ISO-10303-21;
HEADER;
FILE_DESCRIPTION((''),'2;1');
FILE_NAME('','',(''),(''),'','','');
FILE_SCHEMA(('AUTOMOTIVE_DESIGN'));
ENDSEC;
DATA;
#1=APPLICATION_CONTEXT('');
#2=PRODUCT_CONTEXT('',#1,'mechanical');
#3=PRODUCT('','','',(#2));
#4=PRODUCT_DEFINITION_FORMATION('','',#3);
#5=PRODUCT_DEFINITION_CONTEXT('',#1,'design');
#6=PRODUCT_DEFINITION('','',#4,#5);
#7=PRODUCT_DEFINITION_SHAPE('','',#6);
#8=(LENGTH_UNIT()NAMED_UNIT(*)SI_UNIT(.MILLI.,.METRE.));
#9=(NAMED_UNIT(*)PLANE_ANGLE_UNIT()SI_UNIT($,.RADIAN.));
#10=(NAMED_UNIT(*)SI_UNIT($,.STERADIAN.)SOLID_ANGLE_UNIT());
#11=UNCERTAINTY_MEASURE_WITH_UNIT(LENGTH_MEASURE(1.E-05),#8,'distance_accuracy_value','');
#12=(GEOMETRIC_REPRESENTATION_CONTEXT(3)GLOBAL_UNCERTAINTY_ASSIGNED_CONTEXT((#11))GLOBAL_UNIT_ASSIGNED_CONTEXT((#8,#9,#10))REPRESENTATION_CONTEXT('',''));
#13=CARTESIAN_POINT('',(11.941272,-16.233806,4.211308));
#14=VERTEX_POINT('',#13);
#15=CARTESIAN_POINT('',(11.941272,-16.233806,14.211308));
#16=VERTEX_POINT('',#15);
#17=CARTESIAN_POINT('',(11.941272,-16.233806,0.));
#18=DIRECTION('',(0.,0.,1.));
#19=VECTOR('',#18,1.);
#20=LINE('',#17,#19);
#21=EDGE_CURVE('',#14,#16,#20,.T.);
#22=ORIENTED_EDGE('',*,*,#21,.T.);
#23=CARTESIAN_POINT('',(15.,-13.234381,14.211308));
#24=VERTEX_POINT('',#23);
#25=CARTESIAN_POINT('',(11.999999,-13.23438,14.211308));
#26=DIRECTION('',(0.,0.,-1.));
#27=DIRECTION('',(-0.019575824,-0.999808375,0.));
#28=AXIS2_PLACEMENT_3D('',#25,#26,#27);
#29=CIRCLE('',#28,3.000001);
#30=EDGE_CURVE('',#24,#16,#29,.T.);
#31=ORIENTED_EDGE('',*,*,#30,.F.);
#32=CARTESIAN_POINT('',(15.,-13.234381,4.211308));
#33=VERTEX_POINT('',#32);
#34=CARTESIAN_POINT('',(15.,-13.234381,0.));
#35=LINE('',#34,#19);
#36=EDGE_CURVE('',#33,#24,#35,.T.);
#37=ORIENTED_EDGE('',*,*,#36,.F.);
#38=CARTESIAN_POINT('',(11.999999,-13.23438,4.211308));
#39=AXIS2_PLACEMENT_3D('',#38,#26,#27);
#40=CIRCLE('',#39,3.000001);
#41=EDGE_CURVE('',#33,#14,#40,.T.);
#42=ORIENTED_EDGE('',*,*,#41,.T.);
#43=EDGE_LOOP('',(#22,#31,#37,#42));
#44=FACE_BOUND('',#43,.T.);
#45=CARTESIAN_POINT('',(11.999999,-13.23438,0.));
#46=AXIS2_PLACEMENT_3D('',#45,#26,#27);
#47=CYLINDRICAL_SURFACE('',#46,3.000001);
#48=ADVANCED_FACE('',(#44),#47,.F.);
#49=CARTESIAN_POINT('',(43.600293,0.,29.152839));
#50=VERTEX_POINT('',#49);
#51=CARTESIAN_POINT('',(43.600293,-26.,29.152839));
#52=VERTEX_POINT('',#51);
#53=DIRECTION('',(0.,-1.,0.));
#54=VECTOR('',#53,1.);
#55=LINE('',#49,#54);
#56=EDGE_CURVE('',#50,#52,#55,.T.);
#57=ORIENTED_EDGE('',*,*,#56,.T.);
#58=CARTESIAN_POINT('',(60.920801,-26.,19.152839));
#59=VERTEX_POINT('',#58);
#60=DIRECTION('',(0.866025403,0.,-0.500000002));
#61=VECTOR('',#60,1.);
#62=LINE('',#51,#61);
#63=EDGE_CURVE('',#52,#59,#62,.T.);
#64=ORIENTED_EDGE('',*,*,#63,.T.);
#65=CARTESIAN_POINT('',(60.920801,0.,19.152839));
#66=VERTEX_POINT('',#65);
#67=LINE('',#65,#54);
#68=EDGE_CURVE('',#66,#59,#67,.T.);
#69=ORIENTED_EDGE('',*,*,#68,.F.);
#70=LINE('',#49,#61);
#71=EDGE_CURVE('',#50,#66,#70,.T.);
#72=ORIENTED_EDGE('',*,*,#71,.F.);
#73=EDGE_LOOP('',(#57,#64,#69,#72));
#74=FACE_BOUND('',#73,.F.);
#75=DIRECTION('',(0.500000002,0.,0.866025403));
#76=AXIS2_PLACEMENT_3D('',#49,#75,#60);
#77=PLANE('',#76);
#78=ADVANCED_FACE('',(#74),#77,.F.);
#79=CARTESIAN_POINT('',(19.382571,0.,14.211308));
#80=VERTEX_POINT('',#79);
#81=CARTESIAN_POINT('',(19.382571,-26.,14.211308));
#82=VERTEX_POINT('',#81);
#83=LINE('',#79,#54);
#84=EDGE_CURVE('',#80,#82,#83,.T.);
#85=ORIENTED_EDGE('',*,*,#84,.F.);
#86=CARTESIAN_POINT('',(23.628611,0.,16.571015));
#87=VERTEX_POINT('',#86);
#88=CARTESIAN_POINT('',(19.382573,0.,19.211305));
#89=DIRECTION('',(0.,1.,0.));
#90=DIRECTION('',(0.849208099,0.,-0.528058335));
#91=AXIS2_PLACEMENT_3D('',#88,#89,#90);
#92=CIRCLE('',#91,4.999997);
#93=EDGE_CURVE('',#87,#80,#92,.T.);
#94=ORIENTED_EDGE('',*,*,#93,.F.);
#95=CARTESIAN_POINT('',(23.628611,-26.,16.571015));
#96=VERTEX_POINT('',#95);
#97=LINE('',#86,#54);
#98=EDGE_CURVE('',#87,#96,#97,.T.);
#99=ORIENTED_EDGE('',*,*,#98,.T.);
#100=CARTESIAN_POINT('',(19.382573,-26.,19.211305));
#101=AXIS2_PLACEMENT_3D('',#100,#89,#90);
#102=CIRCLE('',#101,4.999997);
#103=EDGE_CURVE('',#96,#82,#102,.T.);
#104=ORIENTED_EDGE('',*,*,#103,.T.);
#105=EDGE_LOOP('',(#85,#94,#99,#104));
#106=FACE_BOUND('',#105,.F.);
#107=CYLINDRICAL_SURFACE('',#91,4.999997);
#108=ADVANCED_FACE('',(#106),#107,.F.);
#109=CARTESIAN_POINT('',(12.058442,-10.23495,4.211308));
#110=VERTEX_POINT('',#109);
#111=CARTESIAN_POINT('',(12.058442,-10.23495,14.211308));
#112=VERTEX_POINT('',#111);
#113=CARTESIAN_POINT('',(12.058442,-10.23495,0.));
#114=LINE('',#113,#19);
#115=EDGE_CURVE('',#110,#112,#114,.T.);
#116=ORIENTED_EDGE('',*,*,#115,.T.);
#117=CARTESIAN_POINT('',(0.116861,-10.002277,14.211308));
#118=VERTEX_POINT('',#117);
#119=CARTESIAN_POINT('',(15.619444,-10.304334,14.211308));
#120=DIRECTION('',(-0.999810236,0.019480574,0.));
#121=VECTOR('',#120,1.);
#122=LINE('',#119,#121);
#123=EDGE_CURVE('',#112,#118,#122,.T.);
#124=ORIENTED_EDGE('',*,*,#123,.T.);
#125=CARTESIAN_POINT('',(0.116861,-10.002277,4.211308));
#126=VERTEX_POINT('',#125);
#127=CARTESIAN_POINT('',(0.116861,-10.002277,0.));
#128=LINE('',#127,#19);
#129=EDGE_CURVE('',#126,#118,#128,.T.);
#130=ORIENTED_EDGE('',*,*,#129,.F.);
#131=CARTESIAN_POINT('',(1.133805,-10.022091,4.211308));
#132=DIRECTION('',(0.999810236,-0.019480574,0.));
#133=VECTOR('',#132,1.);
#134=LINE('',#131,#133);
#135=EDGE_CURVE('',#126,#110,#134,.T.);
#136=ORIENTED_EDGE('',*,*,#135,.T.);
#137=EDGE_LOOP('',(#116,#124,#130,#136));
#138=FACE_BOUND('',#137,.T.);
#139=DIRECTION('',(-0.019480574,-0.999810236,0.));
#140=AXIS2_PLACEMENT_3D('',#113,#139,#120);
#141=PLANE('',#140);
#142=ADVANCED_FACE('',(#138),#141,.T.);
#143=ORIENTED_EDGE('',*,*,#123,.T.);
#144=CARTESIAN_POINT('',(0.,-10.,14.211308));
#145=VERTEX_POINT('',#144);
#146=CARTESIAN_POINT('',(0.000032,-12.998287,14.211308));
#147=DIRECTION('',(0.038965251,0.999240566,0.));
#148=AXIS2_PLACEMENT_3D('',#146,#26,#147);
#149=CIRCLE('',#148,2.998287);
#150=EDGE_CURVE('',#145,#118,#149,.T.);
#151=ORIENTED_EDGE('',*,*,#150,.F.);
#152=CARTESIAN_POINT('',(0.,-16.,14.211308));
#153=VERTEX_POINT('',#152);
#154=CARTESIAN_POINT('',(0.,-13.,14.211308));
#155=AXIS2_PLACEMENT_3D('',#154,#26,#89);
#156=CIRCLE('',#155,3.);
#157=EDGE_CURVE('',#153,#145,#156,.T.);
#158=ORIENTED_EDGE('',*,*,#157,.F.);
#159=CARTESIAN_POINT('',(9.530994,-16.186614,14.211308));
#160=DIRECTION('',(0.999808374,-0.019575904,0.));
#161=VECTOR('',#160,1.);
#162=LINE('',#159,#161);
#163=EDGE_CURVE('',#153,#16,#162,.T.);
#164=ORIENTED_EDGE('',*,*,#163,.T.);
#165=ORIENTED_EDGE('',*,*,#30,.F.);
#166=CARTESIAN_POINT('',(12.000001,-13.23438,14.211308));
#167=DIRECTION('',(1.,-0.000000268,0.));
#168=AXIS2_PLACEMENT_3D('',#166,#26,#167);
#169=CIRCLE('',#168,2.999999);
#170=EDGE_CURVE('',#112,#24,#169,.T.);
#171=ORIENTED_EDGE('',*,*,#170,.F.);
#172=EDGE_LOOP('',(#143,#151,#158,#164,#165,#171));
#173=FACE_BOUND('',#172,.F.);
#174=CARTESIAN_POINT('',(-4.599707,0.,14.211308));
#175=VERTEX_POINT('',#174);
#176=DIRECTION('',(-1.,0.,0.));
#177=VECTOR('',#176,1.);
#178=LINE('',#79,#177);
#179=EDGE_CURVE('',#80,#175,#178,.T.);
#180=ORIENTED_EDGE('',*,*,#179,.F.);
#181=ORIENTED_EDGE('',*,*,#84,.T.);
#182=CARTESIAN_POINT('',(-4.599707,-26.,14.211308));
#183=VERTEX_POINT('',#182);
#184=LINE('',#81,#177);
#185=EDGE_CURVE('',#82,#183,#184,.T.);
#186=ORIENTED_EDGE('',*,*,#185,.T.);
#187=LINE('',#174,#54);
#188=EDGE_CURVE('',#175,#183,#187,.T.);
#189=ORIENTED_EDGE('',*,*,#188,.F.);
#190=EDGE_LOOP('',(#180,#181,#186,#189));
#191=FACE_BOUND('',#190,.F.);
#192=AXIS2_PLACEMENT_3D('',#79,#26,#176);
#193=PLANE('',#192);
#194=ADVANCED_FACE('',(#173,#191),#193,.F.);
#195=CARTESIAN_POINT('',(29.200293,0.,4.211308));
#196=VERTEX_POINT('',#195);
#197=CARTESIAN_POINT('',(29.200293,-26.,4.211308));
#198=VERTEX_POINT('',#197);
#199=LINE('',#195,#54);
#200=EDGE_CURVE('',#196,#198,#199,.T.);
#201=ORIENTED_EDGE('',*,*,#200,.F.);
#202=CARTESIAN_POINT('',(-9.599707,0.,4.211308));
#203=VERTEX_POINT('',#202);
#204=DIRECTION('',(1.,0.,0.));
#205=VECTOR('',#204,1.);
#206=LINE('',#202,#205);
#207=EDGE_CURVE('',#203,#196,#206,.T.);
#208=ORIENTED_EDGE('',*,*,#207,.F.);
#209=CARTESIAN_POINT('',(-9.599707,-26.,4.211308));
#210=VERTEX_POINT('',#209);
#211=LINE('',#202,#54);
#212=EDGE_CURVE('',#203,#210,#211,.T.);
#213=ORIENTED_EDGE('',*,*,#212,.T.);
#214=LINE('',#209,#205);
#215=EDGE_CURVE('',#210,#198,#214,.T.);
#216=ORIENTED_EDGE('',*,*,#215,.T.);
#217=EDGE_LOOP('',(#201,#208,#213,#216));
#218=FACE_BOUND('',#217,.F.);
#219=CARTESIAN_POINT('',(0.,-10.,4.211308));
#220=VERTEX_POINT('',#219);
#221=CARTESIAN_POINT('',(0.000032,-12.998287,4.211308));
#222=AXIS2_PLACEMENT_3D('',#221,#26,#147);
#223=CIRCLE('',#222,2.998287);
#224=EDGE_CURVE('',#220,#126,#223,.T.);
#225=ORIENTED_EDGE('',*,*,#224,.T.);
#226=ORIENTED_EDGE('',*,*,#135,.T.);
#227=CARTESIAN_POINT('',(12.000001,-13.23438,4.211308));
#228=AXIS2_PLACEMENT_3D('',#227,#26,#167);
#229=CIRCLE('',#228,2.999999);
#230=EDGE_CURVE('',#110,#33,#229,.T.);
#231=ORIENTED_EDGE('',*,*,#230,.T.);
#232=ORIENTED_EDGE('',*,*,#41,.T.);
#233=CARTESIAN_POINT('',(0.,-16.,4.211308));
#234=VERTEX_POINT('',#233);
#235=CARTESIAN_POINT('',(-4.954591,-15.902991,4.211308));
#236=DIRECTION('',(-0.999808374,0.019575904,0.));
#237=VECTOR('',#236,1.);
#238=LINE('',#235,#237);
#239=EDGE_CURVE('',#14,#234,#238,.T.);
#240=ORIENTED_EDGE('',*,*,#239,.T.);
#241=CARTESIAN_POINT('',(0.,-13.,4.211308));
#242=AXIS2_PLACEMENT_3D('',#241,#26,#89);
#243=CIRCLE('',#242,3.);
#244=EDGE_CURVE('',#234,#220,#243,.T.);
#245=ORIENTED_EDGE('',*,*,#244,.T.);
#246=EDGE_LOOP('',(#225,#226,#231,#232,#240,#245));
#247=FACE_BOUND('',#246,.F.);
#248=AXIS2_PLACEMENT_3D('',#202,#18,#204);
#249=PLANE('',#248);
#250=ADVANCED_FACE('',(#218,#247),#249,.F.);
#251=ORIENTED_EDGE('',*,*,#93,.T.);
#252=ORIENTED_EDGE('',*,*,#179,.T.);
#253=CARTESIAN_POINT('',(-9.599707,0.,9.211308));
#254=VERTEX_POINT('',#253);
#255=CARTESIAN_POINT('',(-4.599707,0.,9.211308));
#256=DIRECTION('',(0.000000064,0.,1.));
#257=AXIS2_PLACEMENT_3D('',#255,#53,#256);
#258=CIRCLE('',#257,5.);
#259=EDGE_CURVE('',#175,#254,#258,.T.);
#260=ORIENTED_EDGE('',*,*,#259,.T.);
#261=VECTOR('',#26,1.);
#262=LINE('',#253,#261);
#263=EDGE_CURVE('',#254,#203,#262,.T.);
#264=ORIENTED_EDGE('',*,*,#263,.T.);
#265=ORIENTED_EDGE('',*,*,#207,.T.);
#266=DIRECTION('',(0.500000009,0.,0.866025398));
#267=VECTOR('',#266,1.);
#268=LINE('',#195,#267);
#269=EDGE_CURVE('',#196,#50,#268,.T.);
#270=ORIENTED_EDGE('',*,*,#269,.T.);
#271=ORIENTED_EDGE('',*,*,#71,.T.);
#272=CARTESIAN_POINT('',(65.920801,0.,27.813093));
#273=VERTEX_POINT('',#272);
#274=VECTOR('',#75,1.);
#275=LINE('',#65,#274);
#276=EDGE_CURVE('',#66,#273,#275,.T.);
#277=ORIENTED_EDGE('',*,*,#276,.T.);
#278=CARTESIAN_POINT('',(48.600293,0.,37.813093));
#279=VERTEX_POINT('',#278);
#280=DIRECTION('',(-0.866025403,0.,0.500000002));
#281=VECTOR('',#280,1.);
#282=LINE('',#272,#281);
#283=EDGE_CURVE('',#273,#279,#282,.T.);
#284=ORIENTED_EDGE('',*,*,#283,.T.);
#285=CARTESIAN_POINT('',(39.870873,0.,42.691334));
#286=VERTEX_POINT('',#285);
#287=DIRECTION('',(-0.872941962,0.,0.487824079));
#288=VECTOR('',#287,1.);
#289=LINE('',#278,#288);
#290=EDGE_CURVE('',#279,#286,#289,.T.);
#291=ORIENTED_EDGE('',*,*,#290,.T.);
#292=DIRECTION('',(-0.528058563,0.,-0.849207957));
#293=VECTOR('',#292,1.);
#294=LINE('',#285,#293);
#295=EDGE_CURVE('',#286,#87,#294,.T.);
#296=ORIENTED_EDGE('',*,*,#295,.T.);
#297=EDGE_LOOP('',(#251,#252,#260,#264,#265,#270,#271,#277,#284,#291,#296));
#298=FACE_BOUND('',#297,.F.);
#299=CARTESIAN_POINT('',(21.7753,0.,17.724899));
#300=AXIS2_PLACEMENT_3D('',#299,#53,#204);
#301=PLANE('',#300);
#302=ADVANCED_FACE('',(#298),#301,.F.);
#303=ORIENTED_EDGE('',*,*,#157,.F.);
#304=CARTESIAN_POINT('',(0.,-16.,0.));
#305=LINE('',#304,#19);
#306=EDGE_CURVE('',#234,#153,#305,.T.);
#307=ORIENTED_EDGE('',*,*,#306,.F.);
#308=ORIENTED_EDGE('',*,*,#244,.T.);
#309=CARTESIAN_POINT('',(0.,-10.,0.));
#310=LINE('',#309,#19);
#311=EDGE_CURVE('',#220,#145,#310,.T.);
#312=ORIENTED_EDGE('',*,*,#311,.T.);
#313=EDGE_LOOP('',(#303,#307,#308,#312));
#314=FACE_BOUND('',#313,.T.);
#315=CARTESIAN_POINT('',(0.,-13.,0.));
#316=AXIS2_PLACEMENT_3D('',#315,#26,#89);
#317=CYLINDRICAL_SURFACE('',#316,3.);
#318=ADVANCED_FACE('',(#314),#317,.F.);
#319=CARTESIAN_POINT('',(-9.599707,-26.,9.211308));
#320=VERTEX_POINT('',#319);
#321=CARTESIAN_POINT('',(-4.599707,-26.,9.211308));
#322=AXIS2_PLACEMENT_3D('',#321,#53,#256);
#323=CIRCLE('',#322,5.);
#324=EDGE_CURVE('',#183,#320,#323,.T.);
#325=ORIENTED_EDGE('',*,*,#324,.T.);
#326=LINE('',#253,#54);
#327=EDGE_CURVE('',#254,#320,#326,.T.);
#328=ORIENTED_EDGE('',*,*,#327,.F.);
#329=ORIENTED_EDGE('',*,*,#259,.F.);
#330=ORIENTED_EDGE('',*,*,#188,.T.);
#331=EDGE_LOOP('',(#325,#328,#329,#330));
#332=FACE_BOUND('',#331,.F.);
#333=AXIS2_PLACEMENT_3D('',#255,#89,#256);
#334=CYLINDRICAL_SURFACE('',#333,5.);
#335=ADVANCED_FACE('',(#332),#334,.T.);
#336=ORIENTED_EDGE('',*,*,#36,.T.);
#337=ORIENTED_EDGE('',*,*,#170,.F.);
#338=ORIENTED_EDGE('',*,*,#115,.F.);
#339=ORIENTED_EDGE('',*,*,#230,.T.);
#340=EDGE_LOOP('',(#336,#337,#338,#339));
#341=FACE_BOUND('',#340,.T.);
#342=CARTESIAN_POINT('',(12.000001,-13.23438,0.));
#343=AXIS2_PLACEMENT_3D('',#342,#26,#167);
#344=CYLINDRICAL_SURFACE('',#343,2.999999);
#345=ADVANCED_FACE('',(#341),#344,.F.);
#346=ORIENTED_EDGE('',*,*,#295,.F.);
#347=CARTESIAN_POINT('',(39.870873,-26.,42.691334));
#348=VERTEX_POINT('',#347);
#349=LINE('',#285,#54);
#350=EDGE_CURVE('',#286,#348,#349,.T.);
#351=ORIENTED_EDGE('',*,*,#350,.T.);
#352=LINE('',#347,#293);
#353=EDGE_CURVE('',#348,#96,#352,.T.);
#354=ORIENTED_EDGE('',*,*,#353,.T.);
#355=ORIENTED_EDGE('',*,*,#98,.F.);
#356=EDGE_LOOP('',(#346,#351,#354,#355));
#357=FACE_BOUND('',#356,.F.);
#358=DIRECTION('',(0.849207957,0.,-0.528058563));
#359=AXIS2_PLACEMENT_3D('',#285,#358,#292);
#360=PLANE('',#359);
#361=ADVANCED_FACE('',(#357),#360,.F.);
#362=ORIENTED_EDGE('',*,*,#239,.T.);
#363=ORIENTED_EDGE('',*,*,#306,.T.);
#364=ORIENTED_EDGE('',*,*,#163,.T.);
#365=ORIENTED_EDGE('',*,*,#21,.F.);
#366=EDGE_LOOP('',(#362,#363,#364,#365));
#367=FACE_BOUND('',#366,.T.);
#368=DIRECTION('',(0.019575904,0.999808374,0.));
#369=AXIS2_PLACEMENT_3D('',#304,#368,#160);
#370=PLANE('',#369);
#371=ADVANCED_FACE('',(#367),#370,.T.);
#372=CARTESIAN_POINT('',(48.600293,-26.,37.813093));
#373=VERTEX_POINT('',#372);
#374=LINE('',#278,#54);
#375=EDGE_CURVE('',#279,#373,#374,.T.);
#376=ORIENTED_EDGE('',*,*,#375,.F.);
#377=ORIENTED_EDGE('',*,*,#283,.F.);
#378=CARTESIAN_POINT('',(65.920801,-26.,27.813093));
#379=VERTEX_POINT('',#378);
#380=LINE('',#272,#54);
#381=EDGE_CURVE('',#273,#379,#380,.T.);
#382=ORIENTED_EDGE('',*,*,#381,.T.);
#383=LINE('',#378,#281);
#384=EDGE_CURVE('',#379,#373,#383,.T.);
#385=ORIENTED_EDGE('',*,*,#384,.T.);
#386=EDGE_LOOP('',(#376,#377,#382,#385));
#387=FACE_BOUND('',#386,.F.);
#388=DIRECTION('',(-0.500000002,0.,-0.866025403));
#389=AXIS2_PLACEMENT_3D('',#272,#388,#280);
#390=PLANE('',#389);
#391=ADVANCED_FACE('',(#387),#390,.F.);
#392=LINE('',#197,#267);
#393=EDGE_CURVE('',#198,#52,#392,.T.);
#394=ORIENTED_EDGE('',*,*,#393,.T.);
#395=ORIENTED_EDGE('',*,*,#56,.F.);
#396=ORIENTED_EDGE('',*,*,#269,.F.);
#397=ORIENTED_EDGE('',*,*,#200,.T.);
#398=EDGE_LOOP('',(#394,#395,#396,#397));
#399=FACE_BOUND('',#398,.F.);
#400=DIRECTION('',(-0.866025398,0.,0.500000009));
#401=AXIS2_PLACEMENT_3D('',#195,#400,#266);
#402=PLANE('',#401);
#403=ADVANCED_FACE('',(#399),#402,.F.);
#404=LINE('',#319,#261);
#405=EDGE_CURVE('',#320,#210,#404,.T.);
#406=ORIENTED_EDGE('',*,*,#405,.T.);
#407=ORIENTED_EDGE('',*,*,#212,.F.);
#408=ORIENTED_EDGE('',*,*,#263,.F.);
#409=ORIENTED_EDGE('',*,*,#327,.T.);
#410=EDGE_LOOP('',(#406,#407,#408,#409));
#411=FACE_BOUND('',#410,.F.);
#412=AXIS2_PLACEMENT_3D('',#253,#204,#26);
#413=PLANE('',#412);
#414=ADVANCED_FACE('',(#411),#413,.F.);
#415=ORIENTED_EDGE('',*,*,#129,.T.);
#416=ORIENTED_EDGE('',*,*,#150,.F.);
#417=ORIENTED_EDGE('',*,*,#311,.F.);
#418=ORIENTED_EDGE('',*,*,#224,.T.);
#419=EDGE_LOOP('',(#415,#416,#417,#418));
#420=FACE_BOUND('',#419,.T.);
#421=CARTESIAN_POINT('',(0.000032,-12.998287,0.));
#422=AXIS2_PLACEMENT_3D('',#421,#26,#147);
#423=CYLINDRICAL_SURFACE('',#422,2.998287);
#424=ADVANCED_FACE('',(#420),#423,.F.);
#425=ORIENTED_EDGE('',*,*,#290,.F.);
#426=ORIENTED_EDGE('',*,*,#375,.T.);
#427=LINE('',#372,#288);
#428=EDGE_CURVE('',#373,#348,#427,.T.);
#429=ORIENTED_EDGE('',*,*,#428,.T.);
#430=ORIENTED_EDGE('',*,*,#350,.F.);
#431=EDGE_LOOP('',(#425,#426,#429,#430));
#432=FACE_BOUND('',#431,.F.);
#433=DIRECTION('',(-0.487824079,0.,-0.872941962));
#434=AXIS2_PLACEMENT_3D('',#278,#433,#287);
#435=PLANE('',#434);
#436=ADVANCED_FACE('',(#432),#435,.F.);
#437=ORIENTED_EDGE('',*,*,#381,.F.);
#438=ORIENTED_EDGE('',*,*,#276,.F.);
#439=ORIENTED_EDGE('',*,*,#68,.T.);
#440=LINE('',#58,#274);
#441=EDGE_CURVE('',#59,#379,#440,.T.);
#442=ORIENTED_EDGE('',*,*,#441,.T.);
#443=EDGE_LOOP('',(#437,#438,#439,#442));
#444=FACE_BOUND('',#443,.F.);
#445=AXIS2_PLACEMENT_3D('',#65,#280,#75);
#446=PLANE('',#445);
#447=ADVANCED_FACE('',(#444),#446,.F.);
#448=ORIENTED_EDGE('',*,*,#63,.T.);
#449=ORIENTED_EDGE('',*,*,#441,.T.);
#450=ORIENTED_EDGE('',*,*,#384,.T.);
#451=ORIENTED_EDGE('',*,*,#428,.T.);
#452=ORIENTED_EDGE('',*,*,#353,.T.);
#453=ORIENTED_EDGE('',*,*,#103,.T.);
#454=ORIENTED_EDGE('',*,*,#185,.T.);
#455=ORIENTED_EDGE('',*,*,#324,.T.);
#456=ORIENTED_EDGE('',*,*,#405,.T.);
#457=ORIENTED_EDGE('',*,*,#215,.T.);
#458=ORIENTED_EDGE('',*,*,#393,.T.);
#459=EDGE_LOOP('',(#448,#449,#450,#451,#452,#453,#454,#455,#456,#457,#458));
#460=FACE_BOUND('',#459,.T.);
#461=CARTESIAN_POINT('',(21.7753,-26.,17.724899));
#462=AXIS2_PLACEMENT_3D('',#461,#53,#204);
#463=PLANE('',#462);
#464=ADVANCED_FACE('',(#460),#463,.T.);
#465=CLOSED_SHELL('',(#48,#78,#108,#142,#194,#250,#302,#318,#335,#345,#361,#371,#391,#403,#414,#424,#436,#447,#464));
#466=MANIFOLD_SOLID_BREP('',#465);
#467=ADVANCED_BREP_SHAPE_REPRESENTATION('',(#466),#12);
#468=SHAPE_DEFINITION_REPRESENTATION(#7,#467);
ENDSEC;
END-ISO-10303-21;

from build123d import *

# Parameters (mm, degrees)
F1_DEPTH = 26
F3_DEPTH = 42.692334


with BuildPart() as f1:
    # F0 (on Front) → F1 (new body)
    with BuildSketch(Plane.XZ):
        with BuildLine():
            Line((-9.599707, 9.211308), (-9.599707, 4.211308))
            Line((-9.599707, 4.211308), (29.200293, 4.211308))
            Line((29.200293, 4.211308), (43.600293, 29.152839))
            Line((43.600293, 29.152839), (48.600293, 37.813093))
            Line((48.600293, 37.813093), (39.870873, 42.691334))
            Line((39.870873, 42.691334), (23.628611, 16.571015))
            ThreePointArc((23.628611, 16.571015), (21.811412, 14.840869), (19.382571, 14.211308))
            Line((19.382571, 14.211308), (-4.599707, 14.211308))
            ThreePointArc((-4.599707, 14.211308), (-8.135241, 12.746842), (-9.599707, 9.211308))
        make_face()
        Polygon((48.600293, 37.813093), (43.600293, 29.152839), (60.920801, 19.152839), (65.920801, 27.813093), align=None)
    extrude(amount=F1_DEPTH)

    # F2 (on Top) → F3 (cut, through all)
    with BuildSketch(Plane.XY):
        with BuildLine():
            Line((0.116861, -10.002277), (0, -10))
            ThreePointArc((0, -10), (-3, -13), (0, -16))
            ThreePointArc((0, -16), (2.12132, -15.12132), (3, -13))
            ThreePointArc((3, -13), (2.162242, -10.920407), (0.116861, -10.002277))
        make_face()
        with BuildLine():
            ThreePointArc((0.116861, -10.002277), (0.058442, -10.000569), (0, -10))
            Line((0, -10), (0.116861, -10.002277))
        make_face()
        with BuildLine():
            ThreePointArc((3, -13), (2.12132, -15.12132), (0, -16))
            Line((0, -16), (11.941272, -16.233806))
            ThreePointArc((11.941272, -16.233806), (9.000572, -13.175796), (12.058442, -10.23495))
            Line((12.058442, -10.23495), (0.116861, -10.002277))
            ThreePointArc((0.116861, -10.002277), (2.162242, -10.920407), (3, -13))
        make_face()
        with BuildLine():
            ThreePointArc((12.058442, -10.23495), (9.000572, -13.175796), (11.941272, -16.233806))
            ThreePointArc((11.941272, -16.233806), (14.100454, -15.376364), (15, -13.234381))
            ThreePointArc((15, -13.234381), (14.141883, -11.133824), (12.058442, -10.23495))
        make_face()
    extrude(amount=F3_DEPTH, mode=Mode.SUBTRACT)


solid = f1.part
